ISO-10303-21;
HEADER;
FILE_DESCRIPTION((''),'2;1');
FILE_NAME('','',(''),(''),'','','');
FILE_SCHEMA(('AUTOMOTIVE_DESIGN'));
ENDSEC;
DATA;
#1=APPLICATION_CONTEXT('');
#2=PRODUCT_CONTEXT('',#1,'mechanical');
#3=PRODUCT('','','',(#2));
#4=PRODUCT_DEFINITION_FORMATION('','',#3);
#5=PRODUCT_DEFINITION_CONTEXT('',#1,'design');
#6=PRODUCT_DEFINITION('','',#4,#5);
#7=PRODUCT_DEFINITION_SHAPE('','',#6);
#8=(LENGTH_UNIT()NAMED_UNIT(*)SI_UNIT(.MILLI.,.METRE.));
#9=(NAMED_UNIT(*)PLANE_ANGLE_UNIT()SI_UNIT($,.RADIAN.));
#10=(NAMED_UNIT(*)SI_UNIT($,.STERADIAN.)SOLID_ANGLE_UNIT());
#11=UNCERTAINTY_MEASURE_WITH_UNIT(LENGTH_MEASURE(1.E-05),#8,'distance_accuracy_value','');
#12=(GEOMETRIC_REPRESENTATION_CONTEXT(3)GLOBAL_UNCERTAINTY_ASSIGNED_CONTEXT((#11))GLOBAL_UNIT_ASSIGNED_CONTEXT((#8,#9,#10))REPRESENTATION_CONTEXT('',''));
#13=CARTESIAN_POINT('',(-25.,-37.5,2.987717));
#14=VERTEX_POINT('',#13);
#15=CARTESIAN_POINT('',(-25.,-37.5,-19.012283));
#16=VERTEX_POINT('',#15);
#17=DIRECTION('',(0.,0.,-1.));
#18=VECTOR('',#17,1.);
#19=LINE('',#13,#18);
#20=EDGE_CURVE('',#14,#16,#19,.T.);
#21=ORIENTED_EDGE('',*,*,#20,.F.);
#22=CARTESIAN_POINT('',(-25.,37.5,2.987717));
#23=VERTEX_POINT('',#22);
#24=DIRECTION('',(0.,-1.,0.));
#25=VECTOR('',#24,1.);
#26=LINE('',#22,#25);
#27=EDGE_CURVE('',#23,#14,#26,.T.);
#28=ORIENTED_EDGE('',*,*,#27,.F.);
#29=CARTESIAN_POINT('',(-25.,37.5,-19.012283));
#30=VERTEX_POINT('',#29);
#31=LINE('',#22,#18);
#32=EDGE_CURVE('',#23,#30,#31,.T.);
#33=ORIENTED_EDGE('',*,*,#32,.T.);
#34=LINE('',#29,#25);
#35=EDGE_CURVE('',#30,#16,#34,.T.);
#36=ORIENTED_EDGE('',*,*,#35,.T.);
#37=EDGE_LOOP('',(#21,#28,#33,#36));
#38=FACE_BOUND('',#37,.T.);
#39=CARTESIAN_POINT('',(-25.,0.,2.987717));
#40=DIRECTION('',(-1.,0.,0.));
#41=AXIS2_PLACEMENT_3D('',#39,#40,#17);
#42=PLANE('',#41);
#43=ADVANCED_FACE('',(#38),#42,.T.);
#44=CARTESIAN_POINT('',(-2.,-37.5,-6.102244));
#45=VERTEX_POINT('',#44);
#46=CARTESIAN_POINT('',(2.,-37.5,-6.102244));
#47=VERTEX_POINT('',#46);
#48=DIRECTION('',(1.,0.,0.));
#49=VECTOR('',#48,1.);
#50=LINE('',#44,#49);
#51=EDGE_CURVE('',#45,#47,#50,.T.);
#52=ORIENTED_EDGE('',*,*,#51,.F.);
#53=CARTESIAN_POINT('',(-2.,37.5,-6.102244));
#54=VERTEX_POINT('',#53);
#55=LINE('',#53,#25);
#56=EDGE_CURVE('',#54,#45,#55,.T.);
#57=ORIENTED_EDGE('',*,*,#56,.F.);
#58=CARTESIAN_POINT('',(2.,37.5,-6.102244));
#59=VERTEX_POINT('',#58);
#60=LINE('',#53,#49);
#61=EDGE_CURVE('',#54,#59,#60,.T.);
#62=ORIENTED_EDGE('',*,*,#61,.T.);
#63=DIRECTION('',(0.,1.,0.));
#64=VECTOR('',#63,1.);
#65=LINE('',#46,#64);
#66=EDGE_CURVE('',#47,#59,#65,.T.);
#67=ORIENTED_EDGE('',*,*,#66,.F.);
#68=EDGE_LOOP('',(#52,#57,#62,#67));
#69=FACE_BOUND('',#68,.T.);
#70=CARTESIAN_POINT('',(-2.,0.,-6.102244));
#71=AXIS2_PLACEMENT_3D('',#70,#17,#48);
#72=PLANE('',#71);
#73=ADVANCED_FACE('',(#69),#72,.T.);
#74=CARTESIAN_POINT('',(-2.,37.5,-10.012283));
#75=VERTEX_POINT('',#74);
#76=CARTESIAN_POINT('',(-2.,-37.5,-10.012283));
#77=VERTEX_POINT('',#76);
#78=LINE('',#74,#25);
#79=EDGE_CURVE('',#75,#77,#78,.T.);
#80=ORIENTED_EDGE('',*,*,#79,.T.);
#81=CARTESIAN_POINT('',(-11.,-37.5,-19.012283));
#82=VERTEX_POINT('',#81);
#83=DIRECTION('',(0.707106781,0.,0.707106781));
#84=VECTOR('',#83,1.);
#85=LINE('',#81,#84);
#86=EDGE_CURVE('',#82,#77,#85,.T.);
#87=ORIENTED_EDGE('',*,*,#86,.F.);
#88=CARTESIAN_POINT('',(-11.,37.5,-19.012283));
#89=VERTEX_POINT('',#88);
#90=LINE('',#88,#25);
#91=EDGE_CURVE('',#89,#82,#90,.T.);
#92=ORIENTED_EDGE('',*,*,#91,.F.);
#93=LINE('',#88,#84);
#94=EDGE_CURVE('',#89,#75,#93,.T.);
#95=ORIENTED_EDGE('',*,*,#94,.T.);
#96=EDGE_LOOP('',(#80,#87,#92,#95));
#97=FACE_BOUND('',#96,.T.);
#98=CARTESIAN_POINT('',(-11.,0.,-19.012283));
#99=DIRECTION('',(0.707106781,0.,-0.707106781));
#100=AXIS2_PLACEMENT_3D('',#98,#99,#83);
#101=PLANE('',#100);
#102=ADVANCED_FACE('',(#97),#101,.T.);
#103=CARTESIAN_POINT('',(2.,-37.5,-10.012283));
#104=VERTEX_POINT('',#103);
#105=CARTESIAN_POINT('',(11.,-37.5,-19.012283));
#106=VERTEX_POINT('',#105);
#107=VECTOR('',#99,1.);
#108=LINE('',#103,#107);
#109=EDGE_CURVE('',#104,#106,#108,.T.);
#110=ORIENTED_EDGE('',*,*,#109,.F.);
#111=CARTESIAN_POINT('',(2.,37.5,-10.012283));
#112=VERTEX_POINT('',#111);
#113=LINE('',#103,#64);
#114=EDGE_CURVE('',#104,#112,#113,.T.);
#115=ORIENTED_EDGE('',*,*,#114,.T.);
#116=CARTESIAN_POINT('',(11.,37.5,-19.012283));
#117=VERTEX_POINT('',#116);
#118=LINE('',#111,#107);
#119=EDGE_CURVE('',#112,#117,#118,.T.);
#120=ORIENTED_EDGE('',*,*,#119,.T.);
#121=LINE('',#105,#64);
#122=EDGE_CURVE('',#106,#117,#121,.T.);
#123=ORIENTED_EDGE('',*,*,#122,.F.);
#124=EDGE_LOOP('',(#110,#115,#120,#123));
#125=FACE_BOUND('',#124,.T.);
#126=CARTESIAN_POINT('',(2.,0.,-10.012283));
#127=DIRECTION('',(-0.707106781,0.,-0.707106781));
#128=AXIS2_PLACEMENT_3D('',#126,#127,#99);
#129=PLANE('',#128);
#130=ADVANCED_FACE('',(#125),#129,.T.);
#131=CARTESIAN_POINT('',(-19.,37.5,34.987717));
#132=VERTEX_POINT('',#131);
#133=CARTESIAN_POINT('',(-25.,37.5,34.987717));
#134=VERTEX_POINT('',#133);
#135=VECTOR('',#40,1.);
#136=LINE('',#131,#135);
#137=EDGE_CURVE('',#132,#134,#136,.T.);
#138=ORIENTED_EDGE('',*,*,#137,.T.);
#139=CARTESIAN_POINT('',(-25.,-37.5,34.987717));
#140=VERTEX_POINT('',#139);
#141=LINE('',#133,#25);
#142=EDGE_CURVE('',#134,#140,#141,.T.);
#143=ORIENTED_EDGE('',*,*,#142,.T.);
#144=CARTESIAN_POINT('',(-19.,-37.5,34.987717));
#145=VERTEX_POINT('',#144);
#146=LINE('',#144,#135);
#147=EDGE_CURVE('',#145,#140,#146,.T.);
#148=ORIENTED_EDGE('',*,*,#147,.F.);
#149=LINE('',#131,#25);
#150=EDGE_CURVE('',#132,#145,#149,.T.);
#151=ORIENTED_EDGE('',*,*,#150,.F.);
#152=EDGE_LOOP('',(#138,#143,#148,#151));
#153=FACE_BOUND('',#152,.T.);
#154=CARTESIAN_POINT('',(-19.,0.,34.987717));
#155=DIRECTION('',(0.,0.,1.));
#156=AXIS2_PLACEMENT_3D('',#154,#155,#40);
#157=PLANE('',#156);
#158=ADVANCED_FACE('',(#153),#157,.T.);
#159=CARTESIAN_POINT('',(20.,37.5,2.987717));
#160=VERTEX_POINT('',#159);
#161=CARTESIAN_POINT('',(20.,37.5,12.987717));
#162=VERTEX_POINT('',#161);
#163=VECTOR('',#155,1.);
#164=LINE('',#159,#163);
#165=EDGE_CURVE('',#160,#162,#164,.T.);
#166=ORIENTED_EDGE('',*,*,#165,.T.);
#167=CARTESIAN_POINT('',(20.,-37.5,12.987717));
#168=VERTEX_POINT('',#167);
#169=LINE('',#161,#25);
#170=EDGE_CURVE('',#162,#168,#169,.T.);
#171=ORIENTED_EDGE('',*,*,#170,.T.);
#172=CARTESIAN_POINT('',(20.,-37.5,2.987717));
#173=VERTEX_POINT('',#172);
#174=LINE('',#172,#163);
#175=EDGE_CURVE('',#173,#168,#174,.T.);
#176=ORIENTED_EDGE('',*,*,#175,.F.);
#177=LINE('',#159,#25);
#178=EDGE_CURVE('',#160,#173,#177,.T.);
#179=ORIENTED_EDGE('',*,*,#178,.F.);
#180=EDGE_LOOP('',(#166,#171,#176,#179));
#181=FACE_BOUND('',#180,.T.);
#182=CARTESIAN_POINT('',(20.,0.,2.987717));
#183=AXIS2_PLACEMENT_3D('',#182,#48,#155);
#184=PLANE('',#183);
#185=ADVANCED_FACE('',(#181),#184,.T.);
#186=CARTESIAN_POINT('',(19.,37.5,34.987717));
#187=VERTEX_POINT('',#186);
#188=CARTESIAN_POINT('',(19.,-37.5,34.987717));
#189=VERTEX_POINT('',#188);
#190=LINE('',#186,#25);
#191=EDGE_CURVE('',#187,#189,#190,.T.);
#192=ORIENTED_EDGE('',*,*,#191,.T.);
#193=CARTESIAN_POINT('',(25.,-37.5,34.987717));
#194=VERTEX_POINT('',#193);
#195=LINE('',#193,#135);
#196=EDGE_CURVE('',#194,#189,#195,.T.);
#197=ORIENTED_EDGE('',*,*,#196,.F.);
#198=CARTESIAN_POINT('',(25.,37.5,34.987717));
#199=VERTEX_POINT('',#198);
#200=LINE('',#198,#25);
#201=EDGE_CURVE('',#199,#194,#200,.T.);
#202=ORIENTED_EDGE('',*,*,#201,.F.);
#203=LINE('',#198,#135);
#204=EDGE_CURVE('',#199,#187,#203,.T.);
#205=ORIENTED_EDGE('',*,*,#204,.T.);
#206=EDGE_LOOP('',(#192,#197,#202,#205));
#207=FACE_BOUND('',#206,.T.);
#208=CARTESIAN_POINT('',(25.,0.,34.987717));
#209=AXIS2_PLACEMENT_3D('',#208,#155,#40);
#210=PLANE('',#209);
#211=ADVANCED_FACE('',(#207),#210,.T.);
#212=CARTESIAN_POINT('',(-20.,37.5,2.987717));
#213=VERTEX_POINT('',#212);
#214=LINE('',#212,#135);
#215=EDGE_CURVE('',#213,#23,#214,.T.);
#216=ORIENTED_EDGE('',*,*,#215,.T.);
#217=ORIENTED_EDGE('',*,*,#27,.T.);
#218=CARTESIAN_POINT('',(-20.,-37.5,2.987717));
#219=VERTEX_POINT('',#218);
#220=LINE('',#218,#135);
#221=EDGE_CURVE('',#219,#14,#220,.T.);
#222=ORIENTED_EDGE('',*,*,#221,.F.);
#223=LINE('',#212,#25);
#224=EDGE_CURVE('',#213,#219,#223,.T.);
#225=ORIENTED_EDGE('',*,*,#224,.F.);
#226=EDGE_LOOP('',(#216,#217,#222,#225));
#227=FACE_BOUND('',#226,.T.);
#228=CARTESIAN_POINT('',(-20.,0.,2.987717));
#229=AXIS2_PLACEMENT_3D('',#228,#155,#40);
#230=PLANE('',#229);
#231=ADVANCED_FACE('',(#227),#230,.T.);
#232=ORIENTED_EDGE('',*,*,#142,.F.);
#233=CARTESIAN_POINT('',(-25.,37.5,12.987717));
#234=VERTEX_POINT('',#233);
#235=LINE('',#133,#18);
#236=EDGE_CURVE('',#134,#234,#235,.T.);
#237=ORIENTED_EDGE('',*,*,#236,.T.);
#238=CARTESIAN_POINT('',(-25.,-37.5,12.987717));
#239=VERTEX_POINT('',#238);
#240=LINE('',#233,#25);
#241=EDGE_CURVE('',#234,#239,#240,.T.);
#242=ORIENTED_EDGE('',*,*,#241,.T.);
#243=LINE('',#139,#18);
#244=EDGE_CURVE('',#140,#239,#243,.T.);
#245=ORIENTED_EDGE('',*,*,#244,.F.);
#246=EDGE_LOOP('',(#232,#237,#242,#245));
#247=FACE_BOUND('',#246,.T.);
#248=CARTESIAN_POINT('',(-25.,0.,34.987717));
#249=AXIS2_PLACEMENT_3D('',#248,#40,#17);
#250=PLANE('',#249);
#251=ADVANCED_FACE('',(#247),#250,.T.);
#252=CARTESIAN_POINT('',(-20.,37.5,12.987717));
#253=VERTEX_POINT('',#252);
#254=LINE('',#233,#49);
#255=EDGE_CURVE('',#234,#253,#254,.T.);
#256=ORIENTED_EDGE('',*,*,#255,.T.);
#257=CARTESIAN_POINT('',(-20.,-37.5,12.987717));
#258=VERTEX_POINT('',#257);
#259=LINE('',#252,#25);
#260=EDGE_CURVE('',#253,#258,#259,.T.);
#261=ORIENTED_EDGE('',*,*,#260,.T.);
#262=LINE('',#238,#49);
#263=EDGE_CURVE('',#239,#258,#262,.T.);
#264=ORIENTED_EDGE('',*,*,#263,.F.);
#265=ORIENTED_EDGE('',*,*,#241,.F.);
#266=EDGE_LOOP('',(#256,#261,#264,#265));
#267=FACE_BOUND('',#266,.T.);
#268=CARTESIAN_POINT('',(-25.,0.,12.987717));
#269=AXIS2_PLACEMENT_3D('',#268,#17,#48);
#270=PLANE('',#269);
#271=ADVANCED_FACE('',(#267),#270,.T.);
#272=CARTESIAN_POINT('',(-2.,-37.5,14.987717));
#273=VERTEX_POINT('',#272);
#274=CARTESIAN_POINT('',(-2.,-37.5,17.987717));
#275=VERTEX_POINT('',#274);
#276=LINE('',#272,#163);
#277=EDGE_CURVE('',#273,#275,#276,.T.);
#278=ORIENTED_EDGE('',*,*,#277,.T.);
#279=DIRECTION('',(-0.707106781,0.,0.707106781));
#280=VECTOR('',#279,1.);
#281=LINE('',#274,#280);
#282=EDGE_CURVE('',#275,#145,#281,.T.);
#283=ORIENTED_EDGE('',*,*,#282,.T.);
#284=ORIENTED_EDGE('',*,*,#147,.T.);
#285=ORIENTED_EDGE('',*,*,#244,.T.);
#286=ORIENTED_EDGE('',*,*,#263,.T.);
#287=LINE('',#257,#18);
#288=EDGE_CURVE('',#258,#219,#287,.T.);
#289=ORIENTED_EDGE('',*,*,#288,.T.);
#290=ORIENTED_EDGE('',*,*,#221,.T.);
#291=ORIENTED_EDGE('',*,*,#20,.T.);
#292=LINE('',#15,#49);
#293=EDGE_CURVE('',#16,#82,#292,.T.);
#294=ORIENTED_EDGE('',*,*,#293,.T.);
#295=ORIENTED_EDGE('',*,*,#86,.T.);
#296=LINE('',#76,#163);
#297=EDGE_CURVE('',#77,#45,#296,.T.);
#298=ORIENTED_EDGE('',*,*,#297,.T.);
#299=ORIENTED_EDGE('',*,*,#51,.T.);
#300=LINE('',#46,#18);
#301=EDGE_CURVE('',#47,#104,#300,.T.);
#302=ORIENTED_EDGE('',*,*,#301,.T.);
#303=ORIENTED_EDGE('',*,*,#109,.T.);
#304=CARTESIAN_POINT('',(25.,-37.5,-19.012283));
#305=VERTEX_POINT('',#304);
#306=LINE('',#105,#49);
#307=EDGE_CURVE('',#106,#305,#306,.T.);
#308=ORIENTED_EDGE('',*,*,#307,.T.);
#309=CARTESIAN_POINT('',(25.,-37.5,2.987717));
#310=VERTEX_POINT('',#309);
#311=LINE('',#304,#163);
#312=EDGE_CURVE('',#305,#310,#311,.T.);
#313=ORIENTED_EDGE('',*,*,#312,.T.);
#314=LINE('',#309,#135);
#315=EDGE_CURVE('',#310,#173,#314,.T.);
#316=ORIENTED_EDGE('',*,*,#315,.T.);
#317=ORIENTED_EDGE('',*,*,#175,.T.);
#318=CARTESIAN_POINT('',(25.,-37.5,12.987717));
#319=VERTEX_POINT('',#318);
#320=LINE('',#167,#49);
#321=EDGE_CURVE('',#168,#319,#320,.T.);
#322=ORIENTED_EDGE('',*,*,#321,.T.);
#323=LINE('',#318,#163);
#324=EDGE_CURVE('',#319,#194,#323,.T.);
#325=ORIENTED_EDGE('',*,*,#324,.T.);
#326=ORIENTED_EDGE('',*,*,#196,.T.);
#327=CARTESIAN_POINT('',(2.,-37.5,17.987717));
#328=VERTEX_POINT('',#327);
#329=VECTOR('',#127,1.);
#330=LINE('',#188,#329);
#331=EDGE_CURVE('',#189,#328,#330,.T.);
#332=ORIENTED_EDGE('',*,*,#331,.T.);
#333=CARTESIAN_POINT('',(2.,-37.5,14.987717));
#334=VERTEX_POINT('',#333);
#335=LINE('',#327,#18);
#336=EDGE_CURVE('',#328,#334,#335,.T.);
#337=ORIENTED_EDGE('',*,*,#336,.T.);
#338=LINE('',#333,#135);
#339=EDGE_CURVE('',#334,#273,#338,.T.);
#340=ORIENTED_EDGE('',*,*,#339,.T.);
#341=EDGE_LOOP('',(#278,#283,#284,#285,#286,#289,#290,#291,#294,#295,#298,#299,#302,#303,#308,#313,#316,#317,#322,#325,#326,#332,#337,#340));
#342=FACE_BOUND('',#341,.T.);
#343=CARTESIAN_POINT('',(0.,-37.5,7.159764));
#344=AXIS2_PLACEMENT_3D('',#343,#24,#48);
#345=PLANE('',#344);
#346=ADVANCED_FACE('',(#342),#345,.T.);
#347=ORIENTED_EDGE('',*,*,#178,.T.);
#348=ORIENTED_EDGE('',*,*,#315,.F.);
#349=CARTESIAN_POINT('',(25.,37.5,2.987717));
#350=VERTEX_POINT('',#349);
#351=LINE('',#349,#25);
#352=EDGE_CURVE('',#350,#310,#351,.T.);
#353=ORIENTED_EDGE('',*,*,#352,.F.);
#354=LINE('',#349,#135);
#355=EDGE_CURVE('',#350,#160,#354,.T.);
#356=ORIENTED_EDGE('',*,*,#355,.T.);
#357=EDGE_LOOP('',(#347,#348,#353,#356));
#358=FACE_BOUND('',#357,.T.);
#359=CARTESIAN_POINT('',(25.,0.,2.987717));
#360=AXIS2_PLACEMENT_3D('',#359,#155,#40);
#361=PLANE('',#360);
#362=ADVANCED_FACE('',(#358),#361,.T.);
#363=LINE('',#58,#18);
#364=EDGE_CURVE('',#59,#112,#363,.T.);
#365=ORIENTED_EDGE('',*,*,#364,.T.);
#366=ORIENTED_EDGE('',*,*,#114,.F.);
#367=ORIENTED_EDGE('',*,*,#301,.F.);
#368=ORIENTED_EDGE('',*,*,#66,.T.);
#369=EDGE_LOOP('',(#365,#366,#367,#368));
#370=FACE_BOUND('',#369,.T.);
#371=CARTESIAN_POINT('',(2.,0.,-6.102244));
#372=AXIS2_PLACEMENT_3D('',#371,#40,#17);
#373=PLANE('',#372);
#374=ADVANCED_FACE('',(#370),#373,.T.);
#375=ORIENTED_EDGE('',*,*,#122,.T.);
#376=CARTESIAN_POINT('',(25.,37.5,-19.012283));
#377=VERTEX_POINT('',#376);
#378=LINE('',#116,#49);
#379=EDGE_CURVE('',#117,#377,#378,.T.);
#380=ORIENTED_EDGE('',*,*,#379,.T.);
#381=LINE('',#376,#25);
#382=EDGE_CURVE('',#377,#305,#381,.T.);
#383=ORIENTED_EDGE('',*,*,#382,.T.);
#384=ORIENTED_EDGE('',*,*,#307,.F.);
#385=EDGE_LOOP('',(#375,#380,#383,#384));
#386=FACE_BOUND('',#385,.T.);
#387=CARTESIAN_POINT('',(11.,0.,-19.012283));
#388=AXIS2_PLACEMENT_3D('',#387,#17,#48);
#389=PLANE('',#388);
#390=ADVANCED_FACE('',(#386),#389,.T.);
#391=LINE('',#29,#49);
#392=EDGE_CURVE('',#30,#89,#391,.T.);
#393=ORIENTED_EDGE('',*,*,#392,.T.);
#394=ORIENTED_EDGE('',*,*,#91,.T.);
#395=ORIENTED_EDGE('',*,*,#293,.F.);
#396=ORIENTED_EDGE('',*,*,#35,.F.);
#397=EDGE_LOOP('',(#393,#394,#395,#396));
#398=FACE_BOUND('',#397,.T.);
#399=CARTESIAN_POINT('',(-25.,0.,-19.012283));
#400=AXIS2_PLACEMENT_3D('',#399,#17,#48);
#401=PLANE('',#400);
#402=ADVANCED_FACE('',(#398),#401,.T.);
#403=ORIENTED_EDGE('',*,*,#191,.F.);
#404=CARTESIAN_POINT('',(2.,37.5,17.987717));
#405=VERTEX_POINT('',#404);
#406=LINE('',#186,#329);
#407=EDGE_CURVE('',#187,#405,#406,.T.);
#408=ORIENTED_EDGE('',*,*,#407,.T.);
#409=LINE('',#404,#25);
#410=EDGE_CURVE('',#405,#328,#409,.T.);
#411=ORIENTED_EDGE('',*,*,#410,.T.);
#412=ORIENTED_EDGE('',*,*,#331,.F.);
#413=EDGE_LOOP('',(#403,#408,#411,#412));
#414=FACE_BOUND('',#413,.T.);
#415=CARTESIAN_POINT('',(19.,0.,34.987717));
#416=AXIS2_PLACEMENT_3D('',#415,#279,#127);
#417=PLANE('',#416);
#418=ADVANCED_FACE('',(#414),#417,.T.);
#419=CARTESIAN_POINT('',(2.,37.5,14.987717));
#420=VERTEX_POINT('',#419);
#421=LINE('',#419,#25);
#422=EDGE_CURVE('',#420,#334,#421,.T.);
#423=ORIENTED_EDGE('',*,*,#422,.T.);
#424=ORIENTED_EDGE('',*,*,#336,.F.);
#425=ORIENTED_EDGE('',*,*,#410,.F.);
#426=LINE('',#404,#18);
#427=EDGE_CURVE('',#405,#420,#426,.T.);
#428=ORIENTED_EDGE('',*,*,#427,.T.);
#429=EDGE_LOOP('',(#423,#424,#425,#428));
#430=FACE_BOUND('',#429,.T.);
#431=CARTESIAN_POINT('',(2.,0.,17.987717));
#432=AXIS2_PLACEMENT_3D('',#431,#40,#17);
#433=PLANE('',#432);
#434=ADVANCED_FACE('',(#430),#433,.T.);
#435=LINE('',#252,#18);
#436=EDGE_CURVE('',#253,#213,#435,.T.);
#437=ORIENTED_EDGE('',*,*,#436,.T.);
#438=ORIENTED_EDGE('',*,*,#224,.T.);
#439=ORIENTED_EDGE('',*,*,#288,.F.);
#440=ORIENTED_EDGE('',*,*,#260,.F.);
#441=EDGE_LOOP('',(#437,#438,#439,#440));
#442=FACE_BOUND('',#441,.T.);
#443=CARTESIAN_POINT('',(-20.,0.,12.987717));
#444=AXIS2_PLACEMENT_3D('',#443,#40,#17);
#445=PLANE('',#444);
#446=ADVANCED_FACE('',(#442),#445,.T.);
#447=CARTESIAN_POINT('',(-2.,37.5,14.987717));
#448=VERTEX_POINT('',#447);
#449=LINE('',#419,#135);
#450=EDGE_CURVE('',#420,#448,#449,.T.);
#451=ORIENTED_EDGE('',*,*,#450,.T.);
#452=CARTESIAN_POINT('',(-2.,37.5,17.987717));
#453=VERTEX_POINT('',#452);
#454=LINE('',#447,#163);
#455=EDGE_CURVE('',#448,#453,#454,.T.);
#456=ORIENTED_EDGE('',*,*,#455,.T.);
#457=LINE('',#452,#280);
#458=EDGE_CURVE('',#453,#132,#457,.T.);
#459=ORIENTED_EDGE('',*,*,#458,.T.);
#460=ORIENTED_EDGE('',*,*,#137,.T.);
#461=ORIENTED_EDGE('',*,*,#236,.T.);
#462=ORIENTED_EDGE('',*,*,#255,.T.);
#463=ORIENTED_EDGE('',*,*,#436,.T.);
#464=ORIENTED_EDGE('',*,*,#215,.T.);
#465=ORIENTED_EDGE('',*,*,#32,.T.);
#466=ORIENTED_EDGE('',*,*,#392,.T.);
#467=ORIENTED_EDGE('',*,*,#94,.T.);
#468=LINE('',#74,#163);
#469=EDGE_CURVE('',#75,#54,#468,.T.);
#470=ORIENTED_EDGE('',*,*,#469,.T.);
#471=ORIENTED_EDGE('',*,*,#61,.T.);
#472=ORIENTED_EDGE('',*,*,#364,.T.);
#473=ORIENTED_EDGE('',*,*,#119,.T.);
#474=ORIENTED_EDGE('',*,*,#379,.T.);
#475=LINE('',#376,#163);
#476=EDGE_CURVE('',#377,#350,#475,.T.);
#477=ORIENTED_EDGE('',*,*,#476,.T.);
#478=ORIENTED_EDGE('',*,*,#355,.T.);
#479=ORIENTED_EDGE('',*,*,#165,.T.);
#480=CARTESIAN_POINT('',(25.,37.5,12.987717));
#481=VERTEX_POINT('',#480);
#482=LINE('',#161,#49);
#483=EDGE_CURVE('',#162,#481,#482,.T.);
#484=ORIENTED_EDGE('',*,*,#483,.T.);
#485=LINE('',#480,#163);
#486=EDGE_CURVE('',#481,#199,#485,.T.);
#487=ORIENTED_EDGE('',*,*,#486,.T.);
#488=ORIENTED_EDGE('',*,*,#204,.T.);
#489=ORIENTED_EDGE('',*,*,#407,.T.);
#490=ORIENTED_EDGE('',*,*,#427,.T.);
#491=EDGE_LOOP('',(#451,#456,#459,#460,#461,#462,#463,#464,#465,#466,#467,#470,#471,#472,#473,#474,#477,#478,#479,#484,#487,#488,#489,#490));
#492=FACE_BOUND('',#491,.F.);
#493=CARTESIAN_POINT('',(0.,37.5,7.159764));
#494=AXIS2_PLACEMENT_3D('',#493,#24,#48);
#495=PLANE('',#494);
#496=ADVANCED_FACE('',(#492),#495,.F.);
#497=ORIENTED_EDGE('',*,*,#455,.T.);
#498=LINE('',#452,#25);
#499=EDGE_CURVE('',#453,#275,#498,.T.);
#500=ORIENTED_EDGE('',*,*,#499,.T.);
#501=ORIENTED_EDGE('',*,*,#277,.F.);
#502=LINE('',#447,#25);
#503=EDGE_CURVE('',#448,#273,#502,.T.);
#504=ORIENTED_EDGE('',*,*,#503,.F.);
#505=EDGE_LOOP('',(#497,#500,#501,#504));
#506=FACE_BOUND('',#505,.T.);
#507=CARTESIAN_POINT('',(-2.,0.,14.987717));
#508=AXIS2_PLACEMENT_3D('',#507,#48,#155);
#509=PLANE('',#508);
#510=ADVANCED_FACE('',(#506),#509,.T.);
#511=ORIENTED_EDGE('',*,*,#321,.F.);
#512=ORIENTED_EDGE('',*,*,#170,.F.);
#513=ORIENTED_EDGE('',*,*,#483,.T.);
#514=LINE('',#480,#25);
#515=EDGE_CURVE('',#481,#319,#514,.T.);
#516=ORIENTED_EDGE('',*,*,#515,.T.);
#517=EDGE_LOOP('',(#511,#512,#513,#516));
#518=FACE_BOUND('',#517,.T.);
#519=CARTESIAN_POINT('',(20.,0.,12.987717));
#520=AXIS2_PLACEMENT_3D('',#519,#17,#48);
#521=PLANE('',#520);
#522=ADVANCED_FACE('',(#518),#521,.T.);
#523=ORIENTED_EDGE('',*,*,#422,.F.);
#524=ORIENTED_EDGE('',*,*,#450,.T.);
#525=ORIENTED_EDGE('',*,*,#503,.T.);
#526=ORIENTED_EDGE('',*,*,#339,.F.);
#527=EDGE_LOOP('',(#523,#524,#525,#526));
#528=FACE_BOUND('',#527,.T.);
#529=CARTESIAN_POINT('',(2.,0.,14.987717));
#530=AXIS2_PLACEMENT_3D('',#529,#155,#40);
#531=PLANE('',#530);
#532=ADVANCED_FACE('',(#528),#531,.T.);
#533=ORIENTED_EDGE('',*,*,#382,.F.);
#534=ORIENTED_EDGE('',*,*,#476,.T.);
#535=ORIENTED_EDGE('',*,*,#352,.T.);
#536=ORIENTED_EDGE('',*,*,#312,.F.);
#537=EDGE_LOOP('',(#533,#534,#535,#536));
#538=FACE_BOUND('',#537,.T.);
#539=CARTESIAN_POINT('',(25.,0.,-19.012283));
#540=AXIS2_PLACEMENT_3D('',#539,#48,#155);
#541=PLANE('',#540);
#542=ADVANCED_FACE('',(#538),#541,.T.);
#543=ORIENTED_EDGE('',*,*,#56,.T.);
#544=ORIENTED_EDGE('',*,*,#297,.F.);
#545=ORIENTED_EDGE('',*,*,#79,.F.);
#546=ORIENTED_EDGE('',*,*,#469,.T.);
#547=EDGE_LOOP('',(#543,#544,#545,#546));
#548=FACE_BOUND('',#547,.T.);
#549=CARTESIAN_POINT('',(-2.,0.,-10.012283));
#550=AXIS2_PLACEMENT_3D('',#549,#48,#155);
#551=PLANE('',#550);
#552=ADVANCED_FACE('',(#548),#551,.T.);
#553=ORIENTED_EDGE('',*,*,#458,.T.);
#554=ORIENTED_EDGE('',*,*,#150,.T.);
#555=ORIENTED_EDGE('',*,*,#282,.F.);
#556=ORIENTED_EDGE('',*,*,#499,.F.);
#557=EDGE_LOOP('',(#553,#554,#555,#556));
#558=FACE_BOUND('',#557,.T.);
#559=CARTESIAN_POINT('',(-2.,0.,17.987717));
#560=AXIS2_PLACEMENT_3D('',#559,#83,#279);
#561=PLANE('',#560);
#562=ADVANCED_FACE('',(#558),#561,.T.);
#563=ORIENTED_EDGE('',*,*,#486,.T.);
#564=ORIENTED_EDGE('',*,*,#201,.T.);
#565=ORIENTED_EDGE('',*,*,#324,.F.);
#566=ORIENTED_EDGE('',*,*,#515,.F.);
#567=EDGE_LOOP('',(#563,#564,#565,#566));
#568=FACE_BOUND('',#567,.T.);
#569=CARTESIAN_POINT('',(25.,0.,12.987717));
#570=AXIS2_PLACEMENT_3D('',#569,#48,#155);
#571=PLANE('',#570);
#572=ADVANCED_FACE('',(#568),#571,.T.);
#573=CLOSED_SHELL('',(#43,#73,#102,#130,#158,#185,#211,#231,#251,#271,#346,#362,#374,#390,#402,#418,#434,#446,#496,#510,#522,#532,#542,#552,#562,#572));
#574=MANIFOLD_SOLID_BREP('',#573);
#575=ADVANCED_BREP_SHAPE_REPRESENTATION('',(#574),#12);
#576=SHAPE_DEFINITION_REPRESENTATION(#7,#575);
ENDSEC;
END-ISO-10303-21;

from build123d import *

# Parameters (mm, degrees)
F1_DEPTH      = 37.5
F1_DEPTH_BACK = 37.5


with BuildPart() as f1:
    # F0 (on Front) → F1 (new body, two sides)
    with BuildSketch(Plane.XZ) as f1_sk:
        Polygon((11, -19.012283), (25, -19.012283), (25, 2.987717), (20, 2.987717), (20, 12.987717), (25, 12.987717), (25, 34.987717), (19, 34.987717), (2, 17.987717), (2, 14.987717), (-2, 14.987717), (-2, 17.987717), (-19, 34.987717), (-25, 34.987717), (-25, 12.987717), (-20, 12.987717), (-20, 2.987717), (-25, 2.987717), (-25, -19.012283), (-11, -19.012283), (-2, -10.012283), (-2, -6.102244), (0, -6.102244), (1.02444, -6.102244), (2, -6.102244), (2, -10.012283), align=None)
    extrude(amount=F1_DEPTH)
    extrude(f1_sk.sketch, amount=-F1_DEPTH_BACK)


solid = f1.part
